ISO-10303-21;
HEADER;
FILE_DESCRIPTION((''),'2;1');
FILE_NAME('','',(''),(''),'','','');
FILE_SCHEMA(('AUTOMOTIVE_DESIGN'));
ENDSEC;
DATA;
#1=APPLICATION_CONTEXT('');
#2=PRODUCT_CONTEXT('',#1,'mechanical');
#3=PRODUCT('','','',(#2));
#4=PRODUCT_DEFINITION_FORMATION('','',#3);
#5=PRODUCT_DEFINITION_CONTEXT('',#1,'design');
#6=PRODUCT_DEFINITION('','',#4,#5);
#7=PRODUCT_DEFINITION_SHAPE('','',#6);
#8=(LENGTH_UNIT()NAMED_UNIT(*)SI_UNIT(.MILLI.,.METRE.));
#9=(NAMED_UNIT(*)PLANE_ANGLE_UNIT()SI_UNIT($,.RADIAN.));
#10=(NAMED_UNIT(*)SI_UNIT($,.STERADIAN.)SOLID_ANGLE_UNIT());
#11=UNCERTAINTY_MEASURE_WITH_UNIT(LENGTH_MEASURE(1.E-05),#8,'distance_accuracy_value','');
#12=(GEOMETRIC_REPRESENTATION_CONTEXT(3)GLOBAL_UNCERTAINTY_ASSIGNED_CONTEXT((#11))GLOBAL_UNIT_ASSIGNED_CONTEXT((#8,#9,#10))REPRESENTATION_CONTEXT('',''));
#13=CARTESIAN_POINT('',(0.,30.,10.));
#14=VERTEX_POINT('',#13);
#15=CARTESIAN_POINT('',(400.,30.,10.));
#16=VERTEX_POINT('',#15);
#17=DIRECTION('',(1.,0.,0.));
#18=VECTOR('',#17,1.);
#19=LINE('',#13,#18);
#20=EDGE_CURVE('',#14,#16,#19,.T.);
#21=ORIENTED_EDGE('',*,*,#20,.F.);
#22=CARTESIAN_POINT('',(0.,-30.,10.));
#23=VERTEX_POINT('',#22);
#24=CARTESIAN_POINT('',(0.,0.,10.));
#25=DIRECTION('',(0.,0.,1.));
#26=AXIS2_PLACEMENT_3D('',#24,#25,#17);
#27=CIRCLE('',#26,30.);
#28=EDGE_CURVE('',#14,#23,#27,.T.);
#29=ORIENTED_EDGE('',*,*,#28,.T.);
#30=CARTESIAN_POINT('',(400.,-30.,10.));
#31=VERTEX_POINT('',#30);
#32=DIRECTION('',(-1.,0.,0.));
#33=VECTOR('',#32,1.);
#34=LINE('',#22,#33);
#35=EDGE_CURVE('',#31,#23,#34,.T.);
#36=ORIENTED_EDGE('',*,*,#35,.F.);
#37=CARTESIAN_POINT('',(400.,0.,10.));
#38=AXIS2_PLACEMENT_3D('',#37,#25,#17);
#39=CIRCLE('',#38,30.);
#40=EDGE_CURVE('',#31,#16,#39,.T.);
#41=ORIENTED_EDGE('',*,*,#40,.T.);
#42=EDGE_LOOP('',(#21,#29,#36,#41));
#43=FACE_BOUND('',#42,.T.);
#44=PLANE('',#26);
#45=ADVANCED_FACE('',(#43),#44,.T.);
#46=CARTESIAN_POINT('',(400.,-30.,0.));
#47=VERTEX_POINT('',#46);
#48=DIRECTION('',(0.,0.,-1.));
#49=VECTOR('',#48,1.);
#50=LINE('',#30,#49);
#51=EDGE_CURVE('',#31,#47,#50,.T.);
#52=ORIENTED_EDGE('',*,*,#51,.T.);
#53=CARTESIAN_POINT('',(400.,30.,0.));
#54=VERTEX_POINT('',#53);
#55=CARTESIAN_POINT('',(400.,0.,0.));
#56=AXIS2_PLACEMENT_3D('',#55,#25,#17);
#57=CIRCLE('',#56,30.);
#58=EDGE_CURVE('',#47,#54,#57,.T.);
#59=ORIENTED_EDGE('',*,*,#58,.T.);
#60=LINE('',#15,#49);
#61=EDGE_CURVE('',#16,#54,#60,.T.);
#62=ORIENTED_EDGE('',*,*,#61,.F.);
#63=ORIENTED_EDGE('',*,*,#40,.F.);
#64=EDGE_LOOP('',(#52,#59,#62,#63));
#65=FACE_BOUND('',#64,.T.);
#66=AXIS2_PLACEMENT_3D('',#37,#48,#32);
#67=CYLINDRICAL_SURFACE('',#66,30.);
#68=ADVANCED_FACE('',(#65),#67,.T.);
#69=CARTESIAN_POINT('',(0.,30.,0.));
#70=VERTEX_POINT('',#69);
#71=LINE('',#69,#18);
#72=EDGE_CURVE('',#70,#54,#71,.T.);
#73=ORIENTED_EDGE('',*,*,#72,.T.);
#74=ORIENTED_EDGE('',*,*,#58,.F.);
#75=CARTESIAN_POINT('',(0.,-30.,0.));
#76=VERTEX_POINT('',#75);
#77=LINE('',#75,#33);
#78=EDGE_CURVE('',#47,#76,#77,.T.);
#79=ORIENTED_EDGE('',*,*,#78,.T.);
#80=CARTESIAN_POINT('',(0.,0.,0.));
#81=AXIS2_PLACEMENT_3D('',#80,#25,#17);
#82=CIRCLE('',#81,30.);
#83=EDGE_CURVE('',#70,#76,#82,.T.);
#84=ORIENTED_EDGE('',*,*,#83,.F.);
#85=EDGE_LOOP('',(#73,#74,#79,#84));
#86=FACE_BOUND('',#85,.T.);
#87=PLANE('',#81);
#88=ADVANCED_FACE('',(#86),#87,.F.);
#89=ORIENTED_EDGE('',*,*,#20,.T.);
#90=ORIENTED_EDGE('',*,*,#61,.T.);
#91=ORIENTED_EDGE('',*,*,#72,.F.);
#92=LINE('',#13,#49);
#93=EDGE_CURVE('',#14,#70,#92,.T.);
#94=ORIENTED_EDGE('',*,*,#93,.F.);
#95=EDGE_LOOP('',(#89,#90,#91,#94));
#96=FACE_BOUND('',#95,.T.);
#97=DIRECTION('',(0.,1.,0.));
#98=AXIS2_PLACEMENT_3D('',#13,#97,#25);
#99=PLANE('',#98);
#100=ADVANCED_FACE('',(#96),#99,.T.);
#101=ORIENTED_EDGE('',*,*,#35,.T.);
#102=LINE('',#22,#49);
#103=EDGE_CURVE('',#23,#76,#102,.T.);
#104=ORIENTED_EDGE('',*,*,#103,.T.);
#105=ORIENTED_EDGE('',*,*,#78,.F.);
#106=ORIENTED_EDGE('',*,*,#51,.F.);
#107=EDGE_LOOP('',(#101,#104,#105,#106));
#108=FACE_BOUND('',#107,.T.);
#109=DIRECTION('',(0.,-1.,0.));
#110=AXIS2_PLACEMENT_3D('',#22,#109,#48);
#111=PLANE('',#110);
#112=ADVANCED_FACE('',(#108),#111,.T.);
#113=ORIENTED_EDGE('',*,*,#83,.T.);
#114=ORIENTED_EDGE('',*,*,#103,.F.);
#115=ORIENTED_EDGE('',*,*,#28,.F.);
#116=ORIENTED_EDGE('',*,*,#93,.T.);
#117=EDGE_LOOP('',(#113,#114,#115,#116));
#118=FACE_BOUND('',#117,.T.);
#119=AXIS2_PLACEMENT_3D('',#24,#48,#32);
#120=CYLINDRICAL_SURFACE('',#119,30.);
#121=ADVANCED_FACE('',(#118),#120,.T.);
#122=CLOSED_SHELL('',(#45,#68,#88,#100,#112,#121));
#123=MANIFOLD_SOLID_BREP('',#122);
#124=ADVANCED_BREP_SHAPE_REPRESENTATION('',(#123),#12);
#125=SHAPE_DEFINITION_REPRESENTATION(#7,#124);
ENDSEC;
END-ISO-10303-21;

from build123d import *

# Parameters (mm, degrees)
EXTRUDE_1_DEPTH = 10


with BuildPart() as part:
    # 草图1 → 凸台-拉伸1 (new body)
    with BuildSketch(Plane.XY):
        with BuildLine():
            Line((400, 30), (0, 30))
            ThreePointArc((0, 30), (-30, 0), (0, -30))
            Line((0, -30), (400, -30))
            ThreePointArc((400, -30), (430, 0), (400, 30))
        make_face()
    extrude(amount=EXTRUDE_1_DEPTH)


solid = part.part
